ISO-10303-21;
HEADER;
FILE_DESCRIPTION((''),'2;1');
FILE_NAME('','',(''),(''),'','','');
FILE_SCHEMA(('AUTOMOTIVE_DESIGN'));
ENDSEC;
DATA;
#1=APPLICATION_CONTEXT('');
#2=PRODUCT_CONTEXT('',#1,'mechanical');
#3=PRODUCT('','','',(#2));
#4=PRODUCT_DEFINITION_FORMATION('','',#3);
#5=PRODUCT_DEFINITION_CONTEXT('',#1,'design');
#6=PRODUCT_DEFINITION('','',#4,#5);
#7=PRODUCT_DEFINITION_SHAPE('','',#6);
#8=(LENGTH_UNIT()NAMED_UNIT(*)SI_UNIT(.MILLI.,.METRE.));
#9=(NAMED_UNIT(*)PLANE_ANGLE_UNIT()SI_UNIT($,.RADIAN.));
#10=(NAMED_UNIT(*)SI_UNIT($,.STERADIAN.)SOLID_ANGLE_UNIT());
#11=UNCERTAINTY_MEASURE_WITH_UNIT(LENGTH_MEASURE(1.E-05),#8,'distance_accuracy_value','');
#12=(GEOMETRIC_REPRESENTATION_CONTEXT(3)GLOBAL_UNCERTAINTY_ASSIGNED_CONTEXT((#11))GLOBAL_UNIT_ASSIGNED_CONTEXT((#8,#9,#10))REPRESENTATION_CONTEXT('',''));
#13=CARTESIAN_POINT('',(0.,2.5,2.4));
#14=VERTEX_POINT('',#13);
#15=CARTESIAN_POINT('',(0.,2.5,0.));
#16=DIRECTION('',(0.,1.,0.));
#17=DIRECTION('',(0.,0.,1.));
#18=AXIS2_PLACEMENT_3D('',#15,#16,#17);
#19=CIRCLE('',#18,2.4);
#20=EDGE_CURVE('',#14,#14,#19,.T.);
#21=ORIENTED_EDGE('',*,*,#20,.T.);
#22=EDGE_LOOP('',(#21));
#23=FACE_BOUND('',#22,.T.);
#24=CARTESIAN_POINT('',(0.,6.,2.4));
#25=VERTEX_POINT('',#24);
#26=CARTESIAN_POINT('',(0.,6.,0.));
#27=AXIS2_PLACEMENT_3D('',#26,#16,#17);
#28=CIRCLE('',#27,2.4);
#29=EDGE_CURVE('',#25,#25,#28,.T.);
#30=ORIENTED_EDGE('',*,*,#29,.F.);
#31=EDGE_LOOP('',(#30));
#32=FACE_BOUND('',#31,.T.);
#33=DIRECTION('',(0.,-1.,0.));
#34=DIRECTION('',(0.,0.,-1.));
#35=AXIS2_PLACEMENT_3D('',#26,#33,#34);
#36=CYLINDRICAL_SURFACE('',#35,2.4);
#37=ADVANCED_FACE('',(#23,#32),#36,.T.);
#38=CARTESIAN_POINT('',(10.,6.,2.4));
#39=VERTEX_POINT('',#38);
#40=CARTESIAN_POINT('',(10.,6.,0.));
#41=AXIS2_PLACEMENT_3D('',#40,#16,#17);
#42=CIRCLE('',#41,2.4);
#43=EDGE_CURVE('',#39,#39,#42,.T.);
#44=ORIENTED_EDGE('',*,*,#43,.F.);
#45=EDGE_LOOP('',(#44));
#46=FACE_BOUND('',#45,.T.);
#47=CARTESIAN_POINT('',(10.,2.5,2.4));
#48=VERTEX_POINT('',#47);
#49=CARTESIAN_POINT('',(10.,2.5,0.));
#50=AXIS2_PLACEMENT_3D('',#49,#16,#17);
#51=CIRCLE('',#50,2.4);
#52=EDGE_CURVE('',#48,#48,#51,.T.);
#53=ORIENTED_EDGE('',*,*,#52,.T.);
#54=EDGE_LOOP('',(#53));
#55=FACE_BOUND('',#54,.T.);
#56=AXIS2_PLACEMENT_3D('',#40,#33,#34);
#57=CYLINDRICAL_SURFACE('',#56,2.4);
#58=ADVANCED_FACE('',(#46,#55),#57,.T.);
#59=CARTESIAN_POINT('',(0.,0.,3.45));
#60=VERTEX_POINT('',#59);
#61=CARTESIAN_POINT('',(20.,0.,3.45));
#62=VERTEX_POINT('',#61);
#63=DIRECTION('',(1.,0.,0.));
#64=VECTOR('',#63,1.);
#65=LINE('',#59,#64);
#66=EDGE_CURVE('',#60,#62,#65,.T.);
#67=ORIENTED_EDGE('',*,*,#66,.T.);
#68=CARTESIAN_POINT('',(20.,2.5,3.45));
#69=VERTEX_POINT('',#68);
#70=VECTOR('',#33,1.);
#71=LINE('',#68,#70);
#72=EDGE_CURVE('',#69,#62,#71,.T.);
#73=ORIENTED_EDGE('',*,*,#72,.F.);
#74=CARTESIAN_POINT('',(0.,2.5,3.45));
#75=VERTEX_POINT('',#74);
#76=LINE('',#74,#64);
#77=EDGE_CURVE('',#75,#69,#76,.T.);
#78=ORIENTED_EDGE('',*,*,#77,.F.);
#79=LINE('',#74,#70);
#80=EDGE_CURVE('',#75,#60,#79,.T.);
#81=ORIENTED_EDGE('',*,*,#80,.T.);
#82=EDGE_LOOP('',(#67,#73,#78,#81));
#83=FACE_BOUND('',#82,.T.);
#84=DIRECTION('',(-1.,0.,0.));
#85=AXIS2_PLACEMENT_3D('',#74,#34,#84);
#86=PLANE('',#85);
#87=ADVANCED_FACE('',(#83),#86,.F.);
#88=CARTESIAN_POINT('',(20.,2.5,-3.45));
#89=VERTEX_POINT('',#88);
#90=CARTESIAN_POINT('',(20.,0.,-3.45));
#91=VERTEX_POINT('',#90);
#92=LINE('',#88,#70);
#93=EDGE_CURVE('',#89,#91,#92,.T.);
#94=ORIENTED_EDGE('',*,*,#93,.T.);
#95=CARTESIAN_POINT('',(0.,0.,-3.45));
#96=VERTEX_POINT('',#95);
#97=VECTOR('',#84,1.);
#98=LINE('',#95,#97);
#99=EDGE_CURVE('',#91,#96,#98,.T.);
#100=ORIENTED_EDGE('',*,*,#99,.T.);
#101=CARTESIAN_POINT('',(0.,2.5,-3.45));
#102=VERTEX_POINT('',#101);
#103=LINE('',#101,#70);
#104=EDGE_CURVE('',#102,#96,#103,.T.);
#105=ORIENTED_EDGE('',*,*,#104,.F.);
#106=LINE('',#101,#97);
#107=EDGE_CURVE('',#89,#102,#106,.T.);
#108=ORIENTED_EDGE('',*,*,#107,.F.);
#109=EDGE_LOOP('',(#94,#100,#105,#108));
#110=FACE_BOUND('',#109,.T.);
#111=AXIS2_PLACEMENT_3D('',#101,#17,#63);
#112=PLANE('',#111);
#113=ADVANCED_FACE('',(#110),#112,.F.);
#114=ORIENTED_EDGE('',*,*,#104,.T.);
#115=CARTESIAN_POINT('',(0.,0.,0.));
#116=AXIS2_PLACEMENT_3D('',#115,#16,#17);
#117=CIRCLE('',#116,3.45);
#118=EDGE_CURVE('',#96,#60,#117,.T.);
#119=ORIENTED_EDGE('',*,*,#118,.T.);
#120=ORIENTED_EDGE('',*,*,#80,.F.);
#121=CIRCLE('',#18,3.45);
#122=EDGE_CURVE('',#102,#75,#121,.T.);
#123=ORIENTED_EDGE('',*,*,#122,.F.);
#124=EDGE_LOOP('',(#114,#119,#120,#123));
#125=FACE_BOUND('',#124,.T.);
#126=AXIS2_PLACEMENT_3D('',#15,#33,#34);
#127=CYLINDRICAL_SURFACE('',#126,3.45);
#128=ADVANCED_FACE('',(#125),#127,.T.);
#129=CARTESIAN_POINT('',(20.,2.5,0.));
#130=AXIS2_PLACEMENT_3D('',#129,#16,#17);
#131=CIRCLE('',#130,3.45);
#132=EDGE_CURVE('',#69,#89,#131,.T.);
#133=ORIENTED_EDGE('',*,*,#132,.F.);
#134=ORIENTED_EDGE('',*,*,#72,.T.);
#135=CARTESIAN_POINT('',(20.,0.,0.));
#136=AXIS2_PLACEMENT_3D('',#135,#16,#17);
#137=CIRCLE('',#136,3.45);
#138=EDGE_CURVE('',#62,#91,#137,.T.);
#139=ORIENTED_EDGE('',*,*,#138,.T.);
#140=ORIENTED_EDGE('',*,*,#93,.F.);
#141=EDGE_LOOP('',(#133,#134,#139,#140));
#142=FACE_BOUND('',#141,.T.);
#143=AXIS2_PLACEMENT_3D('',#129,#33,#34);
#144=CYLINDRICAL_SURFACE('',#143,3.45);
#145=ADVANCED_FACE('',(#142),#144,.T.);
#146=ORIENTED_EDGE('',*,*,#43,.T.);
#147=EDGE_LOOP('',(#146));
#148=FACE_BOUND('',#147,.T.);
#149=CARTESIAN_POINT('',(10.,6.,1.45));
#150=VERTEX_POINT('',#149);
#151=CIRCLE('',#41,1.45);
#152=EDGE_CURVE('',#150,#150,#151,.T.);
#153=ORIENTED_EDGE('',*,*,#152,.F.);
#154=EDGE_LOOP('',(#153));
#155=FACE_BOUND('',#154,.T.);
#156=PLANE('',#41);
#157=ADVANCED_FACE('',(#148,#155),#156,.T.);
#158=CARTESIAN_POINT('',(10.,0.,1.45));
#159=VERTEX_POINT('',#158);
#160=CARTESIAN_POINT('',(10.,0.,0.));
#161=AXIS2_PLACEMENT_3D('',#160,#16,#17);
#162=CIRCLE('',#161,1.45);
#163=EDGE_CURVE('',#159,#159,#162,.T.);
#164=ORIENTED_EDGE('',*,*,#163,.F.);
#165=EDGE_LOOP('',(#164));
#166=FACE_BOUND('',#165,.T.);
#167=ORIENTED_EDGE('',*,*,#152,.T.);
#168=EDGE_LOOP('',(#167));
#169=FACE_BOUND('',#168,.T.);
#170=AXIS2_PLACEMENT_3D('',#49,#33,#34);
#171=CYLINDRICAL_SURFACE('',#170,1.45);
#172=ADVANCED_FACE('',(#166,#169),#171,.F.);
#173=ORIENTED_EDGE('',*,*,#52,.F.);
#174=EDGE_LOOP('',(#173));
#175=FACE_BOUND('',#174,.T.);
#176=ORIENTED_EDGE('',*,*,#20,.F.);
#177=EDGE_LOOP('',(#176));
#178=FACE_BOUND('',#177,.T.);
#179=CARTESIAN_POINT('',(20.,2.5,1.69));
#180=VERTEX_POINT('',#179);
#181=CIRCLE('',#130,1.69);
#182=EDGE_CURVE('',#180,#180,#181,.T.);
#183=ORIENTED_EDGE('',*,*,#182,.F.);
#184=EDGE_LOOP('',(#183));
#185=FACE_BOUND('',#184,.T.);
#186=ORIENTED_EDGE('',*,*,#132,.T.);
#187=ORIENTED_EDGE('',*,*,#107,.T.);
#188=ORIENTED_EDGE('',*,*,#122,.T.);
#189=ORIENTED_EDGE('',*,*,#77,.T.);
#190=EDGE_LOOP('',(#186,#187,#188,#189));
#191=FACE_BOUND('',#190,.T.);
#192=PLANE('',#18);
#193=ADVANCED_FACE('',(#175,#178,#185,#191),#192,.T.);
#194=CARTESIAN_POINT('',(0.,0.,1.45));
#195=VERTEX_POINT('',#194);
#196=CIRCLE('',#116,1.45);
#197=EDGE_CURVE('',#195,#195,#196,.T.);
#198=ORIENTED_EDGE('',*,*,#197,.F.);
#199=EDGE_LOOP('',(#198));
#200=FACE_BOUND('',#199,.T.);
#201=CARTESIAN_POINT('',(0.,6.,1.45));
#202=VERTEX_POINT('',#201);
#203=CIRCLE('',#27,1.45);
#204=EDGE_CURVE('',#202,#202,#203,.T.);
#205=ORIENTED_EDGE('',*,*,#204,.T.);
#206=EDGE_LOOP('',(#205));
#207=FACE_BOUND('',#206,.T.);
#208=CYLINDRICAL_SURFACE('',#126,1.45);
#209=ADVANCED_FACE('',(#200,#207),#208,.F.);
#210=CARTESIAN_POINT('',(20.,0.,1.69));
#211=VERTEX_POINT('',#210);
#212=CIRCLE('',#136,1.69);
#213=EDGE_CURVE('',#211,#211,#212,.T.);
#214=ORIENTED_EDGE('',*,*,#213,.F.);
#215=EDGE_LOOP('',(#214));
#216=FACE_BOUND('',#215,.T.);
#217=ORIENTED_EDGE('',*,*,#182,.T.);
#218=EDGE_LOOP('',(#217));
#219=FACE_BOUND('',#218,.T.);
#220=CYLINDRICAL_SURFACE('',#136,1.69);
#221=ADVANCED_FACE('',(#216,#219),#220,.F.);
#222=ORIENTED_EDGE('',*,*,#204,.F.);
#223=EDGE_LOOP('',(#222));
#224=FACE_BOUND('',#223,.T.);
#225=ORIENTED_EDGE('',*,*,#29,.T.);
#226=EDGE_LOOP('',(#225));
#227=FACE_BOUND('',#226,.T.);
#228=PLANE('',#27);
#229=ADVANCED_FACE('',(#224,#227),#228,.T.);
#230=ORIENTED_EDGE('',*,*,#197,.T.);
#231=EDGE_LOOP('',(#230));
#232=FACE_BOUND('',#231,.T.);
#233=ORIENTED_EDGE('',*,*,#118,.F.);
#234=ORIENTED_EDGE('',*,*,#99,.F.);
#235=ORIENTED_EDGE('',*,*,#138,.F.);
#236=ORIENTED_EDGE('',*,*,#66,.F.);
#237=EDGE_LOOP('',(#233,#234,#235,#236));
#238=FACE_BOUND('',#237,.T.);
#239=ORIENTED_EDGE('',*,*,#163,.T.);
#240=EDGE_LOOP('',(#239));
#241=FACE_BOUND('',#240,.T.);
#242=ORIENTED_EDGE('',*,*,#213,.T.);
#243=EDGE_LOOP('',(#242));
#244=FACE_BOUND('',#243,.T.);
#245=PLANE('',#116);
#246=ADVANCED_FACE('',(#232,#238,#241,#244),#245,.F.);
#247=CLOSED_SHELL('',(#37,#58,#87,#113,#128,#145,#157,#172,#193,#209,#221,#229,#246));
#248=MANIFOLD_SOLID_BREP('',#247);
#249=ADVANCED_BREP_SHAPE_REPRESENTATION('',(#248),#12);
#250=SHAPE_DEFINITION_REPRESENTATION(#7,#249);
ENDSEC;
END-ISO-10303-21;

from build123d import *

# Parameters (mm, degrees)
CROQUIS2_R              = 1.45
SALIENTE_EXTRUIR1_DEPTH = 2.5
CROQUIS3_R              = 2.4
CROQUIS3_R_2            = 1.45
SALIENTE_EXTRUIR2_DEPTH = 3.5
CROQUIS4_R              = 1.69
CORTAR_EXTRUIR1_DEPTH   = 24.959444902


with BuildPart() as part:
    # Croquis2 → Saliente-Extruir1 (new body)
    with BuildSketch(Plane(origin=(0, 0, 0), x_dir=(1, 0, 0), z_dir=(0, 1, 0))):
        with BuildLine():
            Line((0, 3.45), (20, 3.45))
            ThreePointArc((20, 3.45), (23.45, 0), (20, -3.45))
            Line((20, -3.45), (0, -3.45))
            ThreePointArc((0, -3.45), (-3.45, 0), (0, 3.45))
        make_face()
        with Locations(Location((0, 0, 0), (0, 0, 270))):
            Circle(CROQUIS2_R, mode=Mode.SUBTRACT)
        with Locations(Location((10, 0, 0), (0, 0, 270))):
            Circle(CROQUIS2_R, mode=Mode.SUBTRACT)
    extrude(amount=SALIENTE_EXTRUIR1_DEPTH)

    # Croquis3 → Saliente-Extruir2 (add)
    # profile 1 of 2: a face of its own
    with BuildSketch(Plane(origin=(0, 2.5, 0), x_dir=(1, 0, 0), z_dir=(0, 1, 0))):
        with Locations(Location((0, 0, 0), (0, 0, 270))):
            Circle(CROQUIS3_R)
        with Locations(Location((0, 0, 0), (0, 0, 270))):
            Circle(CROQUIS3_R_2, mode=Mode.SUBTRACT)
    # profile 2 of 2: a face of its own
    with BuildSketch(Plane(origin=(0, 2.5, 0), x_dir=(1, 0, 0), z_dir=(0, 1, 0))):
        with Locations(Location((10, 0, 0), (0, 0, 270))):
            Circle(CROQUIS3_R)
        with Locations(Location((10, 0, 0), (0, 0, 270))):
            Circle(CROQUIS3_R_2, mode=Mode.SUBTRACT)
    extrude(amount=SALIENTE_EXTRUIR2_DEPTH)

    # Croquis4 → Cortar-Extruir1 (cut, through all)
    with BuildSketch(Plane(origin=(0, 2.5, 0), x_dir=(1, 0, 0), z_dir=(0, 1, 0))):
        with Locations(Location((20, 0, 0), (0, 0, 270))):
            Circle(CROQUIS4_R)
    extrude(amount=-CORTAR_EXTRUIR1_DEPTH, mode=Mode.SUBTRACT)


solid = part.part
